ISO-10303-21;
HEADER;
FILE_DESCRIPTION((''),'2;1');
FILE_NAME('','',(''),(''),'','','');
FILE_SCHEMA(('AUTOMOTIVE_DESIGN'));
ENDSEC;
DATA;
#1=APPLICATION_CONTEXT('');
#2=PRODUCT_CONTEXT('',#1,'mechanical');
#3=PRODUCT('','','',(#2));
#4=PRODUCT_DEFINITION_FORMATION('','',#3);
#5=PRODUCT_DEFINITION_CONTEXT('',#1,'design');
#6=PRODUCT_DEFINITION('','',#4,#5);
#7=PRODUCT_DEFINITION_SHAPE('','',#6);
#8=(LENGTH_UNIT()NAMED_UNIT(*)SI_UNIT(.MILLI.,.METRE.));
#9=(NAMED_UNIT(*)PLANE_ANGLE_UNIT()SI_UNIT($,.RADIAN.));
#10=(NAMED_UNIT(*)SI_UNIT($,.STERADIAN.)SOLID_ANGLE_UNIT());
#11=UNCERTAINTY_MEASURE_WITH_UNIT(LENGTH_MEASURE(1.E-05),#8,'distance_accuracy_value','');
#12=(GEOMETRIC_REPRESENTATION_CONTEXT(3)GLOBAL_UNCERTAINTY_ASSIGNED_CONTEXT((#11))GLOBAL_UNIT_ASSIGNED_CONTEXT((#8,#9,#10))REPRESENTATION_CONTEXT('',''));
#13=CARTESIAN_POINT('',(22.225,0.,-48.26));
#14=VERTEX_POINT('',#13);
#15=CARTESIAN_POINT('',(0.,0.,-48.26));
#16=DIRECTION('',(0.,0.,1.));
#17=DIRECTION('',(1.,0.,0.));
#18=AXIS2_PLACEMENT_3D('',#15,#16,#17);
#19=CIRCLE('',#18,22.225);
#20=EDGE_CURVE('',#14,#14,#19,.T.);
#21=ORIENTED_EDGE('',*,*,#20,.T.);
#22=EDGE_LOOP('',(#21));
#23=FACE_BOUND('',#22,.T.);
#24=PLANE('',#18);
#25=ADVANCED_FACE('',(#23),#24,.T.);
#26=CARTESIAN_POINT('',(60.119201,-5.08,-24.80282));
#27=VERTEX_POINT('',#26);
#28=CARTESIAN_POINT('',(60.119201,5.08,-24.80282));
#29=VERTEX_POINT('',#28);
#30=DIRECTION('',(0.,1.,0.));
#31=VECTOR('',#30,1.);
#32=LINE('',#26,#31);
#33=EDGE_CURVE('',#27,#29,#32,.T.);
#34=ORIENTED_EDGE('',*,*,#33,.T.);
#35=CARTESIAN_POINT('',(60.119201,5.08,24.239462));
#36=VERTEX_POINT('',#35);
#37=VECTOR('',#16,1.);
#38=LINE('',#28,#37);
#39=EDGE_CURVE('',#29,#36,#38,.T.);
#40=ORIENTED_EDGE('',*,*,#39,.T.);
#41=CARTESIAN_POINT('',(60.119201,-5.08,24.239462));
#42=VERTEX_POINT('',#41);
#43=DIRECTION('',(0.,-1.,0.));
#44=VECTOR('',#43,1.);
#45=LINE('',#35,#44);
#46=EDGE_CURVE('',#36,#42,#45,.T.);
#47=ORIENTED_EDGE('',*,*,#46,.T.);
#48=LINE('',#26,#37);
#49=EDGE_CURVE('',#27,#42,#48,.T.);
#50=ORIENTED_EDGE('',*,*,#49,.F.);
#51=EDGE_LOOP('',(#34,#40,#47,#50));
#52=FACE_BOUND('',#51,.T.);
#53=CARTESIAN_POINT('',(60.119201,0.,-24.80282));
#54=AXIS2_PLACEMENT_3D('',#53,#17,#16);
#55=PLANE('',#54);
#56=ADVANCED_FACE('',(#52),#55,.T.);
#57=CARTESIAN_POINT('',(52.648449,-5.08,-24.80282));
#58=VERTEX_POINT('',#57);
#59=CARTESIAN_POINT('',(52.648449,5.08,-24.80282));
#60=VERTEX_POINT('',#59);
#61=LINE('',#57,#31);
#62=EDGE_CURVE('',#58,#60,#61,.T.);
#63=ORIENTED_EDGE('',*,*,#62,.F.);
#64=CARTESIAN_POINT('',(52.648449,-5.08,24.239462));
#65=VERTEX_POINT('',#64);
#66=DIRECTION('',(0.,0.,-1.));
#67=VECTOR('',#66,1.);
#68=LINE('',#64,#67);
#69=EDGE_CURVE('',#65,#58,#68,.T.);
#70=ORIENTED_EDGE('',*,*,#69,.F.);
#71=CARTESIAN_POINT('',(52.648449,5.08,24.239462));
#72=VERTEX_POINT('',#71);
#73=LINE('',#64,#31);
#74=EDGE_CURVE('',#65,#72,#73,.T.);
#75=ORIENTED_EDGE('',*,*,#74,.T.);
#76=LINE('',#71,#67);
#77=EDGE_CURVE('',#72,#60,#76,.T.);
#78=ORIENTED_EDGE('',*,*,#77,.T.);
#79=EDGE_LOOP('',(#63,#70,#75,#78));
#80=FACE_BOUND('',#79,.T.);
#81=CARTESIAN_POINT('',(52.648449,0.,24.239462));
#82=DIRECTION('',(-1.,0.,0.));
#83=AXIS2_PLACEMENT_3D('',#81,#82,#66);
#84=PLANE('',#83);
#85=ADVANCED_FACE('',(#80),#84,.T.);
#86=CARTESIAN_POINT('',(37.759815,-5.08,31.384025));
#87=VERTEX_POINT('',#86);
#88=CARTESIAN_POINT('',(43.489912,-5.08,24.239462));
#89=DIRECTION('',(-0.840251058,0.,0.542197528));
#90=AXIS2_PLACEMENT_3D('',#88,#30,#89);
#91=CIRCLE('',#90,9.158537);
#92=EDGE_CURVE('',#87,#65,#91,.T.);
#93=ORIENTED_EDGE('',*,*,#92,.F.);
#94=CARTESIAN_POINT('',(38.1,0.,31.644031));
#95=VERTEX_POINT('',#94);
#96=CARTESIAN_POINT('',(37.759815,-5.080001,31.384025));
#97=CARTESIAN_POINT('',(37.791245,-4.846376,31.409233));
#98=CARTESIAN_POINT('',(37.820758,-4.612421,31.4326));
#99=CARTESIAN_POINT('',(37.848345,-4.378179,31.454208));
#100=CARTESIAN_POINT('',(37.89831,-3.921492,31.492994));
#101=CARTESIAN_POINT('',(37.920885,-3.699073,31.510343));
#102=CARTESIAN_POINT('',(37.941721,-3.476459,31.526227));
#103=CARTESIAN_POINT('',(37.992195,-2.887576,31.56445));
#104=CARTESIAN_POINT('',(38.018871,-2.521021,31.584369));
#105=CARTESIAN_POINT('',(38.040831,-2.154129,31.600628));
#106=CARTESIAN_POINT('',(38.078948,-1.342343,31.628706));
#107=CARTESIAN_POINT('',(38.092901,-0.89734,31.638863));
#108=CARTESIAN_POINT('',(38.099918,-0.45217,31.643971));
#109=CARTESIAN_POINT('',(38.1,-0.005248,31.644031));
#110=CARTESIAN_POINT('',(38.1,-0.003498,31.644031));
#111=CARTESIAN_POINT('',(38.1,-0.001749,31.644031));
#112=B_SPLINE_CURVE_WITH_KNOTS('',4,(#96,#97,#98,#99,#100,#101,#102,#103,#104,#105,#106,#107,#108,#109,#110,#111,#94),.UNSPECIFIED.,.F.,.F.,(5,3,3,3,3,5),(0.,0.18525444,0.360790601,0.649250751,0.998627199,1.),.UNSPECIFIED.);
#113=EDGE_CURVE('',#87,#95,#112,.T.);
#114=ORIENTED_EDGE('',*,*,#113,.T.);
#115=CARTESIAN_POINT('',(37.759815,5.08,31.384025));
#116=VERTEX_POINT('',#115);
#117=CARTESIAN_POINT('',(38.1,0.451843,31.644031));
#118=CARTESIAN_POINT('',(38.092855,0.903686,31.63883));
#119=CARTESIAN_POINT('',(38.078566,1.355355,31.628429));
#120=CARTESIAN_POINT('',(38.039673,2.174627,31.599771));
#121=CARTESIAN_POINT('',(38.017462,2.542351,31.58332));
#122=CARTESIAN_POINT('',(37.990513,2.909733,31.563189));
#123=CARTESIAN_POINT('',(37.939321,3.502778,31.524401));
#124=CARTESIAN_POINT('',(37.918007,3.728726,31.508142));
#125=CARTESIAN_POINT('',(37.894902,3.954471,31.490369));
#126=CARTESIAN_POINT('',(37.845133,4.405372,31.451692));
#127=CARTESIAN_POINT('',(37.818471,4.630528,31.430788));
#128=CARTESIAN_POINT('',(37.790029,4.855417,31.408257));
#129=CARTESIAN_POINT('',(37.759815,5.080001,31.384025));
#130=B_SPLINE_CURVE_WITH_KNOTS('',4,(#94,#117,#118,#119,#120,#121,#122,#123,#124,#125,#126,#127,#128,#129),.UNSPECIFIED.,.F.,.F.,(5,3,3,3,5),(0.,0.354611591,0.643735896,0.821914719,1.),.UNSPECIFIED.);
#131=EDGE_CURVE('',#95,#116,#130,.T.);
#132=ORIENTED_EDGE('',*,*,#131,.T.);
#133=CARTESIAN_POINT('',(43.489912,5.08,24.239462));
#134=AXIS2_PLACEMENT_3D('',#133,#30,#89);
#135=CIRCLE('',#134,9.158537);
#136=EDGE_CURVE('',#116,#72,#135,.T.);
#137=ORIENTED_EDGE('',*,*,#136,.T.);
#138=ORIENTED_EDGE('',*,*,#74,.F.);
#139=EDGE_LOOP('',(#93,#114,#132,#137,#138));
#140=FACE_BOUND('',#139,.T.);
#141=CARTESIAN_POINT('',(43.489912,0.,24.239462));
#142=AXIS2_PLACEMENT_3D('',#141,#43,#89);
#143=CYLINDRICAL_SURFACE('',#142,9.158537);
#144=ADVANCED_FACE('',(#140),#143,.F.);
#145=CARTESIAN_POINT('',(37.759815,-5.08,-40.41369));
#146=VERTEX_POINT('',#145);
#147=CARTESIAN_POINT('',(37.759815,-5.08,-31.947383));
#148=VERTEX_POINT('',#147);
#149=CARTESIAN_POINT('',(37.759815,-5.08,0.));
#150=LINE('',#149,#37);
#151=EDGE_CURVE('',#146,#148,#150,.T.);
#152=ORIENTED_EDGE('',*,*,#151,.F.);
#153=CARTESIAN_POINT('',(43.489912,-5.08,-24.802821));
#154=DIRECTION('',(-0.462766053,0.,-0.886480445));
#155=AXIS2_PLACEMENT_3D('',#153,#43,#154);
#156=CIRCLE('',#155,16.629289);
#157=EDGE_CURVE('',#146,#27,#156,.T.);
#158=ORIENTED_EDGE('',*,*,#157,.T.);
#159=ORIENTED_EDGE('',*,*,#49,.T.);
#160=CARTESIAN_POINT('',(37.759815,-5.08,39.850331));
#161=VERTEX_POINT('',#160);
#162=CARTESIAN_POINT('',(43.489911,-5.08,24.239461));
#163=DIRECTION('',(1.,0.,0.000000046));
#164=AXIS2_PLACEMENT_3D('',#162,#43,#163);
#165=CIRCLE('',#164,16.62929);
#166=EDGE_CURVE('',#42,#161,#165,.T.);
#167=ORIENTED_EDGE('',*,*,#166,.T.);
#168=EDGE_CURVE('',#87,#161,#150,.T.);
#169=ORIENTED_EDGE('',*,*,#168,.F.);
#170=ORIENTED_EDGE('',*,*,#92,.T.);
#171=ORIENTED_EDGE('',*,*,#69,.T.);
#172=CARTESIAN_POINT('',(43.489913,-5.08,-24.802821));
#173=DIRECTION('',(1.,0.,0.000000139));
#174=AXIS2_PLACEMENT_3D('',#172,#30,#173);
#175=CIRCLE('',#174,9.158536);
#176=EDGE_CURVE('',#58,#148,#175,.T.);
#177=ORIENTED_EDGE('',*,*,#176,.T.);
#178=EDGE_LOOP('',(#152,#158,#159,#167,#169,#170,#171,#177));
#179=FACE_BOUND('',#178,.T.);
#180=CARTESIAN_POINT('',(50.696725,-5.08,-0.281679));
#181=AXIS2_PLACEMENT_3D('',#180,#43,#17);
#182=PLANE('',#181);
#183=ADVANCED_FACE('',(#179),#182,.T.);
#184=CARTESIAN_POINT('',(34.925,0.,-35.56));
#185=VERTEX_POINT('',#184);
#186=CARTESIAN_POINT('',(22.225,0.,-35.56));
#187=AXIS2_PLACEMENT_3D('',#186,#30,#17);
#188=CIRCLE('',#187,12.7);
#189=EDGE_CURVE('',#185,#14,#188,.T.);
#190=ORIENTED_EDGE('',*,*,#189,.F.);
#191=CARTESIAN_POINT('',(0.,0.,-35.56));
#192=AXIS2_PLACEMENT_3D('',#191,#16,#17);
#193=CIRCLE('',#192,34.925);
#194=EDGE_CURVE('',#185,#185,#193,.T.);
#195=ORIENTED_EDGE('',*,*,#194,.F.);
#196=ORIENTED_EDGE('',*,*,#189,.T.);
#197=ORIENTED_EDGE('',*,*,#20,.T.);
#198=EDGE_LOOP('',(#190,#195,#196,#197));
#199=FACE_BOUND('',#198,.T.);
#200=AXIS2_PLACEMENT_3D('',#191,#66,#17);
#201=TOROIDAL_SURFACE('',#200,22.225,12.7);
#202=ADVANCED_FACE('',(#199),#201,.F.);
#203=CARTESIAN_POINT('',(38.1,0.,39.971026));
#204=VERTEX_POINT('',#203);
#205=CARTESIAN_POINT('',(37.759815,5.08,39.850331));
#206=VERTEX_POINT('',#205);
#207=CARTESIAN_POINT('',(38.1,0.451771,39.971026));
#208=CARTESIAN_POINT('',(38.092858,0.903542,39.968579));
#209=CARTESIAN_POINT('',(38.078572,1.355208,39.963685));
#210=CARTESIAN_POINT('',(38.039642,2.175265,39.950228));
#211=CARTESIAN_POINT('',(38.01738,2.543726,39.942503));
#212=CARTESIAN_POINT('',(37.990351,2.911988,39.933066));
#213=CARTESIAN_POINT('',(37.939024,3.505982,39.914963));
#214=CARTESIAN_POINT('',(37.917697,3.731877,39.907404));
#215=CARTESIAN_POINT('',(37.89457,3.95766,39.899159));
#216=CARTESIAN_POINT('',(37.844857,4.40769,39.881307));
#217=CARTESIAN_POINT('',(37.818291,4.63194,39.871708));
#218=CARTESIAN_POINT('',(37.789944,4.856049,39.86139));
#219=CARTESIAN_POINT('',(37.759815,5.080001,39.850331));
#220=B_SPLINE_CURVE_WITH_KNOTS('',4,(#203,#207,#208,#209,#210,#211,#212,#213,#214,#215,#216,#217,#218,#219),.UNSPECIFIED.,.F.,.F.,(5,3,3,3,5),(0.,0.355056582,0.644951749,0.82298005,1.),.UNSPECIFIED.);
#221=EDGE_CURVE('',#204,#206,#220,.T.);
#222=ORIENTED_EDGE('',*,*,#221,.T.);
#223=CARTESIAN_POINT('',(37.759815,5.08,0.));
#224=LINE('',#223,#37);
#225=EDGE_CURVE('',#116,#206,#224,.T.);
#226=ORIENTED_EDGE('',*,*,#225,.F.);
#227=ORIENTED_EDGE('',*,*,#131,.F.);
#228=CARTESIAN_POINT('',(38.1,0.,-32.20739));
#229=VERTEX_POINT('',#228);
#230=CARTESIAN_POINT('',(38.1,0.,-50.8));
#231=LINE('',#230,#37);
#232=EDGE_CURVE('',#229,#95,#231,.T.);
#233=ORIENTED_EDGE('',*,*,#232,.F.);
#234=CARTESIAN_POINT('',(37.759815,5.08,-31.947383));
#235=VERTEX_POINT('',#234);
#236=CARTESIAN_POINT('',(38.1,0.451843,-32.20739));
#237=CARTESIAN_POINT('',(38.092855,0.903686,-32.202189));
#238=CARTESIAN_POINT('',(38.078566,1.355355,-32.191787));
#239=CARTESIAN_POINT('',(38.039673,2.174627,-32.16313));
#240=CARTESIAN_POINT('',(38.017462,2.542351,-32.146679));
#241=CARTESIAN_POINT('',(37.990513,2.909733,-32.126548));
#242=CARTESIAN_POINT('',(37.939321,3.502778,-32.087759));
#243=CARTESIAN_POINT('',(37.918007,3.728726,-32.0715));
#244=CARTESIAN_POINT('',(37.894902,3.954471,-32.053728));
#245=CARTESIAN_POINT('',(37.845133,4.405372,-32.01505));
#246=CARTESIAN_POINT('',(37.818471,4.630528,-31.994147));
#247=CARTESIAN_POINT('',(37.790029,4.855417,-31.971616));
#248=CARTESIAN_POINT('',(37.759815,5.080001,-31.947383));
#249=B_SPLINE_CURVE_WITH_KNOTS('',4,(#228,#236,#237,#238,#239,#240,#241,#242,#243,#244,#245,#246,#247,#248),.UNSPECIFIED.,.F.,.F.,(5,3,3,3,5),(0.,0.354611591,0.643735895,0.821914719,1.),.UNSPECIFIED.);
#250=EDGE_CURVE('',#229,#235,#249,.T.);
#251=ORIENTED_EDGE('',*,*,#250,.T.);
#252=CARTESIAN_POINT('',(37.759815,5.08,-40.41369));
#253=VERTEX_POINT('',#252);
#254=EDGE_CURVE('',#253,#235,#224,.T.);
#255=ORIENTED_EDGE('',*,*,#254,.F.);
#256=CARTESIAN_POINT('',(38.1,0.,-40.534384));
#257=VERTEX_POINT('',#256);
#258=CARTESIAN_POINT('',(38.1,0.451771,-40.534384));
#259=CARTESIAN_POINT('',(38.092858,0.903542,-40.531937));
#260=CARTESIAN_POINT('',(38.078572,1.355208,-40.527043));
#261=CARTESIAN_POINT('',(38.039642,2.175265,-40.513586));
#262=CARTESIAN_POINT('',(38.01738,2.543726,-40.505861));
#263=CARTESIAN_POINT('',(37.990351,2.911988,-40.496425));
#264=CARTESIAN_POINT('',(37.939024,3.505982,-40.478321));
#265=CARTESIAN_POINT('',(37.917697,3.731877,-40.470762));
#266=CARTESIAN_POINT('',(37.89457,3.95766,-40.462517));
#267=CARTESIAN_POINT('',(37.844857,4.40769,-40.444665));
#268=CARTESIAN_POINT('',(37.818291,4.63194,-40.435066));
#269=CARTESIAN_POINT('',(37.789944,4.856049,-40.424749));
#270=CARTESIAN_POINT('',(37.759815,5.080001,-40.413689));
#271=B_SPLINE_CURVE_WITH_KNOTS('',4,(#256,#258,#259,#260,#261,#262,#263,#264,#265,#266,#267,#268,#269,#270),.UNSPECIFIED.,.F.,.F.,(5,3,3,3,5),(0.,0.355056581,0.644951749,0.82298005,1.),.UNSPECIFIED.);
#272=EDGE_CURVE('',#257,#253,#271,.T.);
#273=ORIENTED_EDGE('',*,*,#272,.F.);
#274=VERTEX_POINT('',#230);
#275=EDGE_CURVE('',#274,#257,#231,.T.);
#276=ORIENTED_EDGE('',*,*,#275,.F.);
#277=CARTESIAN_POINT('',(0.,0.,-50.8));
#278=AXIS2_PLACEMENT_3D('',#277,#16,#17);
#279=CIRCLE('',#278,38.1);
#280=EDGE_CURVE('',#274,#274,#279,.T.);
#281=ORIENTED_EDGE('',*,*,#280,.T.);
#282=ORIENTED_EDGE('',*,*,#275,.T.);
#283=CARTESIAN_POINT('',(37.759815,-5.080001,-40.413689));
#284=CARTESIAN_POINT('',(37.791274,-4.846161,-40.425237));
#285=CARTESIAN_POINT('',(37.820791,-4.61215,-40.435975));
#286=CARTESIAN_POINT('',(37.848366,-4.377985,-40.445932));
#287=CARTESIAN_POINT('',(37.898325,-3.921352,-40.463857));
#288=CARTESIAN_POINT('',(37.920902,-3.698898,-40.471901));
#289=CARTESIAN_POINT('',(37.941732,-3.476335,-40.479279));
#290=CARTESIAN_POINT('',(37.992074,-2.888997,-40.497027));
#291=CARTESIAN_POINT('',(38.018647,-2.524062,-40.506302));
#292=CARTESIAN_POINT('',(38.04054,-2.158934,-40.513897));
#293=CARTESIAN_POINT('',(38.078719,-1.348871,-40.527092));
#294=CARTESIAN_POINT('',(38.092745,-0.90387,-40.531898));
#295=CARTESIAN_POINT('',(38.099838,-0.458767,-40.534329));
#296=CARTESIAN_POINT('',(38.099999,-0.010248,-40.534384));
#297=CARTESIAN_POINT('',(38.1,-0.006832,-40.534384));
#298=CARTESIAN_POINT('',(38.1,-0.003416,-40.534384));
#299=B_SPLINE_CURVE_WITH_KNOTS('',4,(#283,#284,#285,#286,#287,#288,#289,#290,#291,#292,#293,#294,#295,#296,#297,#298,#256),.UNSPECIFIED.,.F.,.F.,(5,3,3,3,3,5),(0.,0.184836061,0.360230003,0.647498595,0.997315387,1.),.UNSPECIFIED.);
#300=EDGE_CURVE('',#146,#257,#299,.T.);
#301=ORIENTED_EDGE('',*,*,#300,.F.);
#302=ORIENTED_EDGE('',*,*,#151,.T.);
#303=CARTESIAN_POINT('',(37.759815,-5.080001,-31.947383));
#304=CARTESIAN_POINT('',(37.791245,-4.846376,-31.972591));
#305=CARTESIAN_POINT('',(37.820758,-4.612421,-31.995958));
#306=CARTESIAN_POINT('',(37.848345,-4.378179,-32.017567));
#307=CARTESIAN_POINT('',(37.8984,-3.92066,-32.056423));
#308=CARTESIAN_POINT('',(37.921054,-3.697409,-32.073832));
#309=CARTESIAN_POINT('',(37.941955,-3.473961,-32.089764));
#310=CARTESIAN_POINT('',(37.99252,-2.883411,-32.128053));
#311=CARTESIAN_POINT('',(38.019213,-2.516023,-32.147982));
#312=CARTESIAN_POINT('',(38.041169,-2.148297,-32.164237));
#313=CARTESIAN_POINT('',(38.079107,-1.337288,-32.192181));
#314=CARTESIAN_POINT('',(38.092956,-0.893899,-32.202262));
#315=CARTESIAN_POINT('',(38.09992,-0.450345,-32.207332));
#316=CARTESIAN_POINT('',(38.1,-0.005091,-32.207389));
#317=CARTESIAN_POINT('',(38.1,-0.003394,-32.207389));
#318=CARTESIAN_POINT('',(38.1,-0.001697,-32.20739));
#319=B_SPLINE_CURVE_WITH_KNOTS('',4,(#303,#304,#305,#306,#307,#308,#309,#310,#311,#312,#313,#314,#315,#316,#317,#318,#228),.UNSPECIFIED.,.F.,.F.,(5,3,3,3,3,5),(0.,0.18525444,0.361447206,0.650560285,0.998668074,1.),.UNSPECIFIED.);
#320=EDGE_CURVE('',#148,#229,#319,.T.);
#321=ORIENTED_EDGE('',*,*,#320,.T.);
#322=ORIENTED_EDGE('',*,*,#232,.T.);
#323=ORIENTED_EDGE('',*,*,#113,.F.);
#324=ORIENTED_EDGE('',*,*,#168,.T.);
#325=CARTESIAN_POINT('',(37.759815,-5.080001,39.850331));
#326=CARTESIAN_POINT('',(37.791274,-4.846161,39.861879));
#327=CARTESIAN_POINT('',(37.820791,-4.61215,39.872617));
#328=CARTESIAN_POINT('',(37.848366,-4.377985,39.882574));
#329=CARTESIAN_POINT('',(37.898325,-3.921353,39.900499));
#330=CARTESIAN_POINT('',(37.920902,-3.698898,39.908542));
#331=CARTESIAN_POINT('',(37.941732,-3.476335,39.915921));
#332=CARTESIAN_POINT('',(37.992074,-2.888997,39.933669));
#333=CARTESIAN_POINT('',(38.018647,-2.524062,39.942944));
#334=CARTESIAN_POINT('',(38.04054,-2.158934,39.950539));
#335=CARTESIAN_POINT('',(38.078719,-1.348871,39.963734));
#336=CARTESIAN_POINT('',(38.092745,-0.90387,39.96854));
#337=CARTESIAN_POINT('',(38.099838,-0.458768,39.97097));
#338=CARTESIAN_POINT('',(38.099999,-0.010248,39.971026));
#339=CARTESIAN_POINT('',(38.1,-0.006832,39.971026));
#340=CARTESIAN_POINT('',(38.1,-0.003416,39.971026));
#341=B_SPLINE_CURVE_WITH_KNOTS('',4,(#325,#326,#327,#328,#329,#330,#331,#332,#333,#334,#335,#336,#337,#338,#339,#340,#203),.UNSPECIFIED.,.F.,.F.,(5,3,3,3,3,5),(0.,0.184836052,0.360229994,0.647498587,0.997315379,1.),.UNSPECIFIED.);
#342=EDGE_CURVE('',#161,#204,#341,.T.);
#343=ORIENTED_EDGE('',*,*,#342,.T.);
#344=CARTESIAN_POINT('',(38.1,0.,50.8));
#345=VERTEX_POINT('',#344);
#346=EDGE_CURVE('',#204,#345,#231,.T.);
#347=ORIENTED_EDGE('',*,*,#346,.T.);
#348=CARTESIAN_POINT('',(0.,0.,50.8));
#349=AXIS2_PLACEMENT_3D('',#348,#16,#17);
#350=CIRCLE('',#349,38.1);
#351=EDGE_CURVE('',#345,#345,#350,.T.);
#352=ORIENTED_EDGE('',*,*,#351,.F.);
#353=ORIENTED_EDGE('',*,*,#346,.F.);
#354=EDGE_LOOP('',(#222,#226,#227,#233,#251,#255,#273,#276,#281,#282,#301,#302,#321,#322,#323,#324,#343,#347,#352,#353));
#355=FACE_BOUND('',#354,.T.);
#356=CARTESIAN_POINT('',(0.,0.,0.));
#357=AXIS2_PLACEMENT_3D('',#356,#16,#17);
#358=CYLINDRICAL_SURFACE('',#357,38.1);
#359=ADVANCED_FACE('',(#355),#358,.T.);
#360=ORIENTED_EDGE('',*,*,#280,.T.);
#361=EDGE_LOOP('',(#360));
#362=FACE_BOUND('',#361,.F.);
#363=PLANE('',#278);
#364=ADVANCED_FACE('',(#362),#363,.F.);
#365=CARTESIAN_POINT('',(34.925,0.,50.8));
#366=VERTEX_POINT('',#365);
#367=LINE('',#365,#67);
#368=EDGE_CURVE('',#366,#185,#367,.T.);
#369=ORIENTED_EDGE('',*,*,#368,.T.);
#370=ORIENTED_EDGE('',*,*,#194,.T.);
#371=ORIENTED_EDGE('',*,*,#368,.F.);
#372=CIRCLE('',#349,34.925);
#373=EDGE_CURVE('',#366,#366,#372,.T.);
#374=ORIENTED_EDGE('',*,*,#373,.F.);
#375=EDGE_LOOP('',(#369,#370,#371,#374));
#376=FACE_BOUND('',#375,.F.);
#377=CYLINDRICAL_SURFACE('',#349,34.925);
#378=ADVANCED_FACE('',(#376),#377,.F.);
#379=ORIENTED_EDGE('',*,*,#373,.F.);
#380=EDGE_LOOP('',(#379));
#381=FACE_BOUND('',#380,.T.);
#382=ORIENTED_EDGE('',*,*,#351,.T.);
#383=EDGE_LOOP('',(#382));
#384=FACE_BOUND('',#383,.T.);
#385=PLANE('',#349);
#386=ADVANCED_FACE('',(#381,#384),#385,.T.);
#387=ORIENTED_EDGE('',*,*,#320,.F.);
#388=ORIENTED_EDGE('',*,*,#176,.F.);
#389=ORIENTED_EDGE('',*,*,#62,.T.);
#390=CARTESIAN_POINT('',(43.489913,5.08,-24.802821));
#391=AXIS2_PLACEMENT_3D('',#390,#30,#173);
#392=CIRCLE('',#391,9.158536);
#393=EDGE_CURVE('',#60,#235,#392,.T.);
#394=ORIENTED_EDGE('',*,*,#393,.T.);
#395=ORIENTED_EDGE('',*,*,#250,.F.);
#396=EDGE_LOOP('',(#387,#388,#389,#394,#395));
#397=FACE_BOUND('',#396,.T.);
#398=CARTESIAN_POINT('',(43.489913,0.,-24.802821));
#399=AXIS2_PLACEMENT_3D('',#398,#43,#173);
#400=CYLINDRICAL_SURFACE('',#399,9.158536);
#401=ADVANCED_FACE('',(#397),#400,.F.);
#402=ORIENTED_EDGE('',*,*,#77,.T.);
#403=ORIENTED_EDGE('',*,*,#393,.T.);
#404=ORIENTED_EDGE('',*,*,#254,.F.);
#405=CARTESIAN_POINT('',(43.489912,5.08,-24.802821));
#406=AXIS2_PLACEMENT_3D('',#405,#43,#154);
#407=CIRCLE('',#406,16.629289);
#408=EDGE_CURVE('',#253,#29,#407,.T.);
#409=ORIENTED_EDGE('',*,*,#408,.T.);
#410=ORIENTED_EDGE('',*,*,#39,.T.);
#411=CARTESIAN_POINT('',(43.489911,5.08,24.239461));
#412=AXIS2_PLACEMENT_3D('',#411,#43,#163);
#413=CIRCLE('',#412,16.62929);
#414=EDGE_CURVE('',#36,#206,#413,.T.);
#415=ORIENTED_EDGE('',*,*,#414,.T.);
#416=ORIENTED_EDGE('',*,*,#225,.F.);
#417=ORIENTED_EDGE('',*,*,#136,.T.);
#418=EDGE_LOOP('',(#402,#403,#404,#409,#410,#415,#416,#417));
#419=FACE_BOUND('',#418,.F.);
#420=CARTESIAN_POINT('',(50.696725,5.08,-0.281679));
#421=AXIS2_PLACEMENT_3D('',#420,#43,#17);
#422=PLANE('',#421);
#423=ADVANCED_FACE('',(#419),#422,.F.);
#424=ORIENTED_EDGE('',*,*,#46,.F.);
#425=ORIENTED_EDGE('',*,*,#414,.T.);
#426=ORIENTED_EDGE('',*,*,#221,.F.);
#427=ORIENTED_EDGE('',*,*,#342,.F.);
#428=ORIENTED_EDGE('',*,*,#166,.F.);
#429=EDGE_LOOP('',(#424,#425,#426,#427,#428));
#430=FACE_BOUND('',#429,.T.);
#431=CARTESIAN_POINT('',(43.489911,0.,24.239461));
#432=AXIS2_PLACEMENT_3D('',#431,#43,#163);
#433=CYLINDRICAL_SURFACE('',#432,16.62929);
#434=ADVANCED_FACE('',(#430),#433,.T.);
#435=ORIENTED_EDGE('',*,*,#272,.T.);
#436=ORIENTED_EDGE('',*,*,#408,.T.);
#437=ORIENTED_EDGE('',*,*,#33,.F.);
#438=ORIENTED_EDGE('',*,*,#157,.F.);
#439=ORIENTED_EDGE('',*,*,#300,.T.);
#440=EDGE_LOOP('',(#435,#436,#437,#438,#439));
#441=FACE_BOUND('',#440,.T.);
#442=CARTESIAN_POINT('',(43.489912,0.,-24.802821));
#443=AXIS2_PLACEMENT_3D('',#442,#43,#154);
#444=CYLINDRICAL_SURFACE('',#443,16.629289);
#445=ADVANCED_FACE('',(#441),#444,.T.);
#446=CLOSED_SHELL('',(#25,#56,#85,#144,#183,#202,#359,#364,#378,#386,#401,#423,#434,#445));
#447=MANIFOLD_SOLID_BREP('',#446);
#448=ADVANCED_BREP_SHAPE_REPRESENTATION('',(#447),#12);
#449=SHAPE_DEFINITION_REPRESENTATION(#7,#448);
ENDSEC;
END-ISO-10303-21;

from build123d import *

# Parameters (mm, degrees)
F0_R          = 38.1
F1_DEPTH      = 50.8
F1_DEPTH_BACK = 50.8
F2_R          = 34.925
F3_DEPTH      = 99.06
F5_DEPTH      = 5.08
F5_DEPTH_BACK = 5.08
F6_R          = 12.7


with BuildPart() as f1:
    # F0 (on Top) → F1 (new body, two sides)
    with BuildSketch(Plane.XY) as f1_sk:
        Circle(F0_R)
    extrude(amount=F1_DEPTH)
    extrude(f1_sk.sketch, amount=-F1_DEPTH_BACK)

    # F2 (on face) → F3 (cut)
    with BuildSketch(Plane.XY.offset(50.8)):
        Circle(F2_R)
    extrude(amount=-F3_DEPTH, mode=Mode.SUBTRACT)

    # F4 (on Front) → F5 (join, two sides)
    with BuildSketch(Plane.XZ) as f5_sk:
        with BuildLine():
            Line((60.119201, -24.80282), (60.119201, 24.239462))
            ThreePointArc((60.119201, 24.239462), (52.108585, 38.460985), (35.794442, 38.981002))
            Line((35.794442, 38.981002), (35.794442, 29.205198))
            ThreePointArc((35.794442, 29.205198), (46.078305, 33.024621), (52.648449, 24.239462))
            Line((52.648449, 24.239462), (52.648449, -24.80282))
            ThreePointArc((52.648449, -24.80282), (46.078305, -33.58798), (35.794442, -29.768556))
            Line((35.794442, -29.768556), (35.794442, -39.54436))
            ThreePointArc((35.794442, -39.54436), (52.108585, -39.024344), (60.119201, -24.80282))
        make_face()
    extrude(amount=F5_DEPTH)
    extrude(f5_sk.sketch, amount=-F5_DEPTH_BACK)

    # F6
    f6_edges = [f1.edges().sort_by_distance(p)[0] for p in [
        (-34.925, 0, -48.26),
    ]]
    fillet(f6_edges, radius=F6_R)


solid = f1.part
